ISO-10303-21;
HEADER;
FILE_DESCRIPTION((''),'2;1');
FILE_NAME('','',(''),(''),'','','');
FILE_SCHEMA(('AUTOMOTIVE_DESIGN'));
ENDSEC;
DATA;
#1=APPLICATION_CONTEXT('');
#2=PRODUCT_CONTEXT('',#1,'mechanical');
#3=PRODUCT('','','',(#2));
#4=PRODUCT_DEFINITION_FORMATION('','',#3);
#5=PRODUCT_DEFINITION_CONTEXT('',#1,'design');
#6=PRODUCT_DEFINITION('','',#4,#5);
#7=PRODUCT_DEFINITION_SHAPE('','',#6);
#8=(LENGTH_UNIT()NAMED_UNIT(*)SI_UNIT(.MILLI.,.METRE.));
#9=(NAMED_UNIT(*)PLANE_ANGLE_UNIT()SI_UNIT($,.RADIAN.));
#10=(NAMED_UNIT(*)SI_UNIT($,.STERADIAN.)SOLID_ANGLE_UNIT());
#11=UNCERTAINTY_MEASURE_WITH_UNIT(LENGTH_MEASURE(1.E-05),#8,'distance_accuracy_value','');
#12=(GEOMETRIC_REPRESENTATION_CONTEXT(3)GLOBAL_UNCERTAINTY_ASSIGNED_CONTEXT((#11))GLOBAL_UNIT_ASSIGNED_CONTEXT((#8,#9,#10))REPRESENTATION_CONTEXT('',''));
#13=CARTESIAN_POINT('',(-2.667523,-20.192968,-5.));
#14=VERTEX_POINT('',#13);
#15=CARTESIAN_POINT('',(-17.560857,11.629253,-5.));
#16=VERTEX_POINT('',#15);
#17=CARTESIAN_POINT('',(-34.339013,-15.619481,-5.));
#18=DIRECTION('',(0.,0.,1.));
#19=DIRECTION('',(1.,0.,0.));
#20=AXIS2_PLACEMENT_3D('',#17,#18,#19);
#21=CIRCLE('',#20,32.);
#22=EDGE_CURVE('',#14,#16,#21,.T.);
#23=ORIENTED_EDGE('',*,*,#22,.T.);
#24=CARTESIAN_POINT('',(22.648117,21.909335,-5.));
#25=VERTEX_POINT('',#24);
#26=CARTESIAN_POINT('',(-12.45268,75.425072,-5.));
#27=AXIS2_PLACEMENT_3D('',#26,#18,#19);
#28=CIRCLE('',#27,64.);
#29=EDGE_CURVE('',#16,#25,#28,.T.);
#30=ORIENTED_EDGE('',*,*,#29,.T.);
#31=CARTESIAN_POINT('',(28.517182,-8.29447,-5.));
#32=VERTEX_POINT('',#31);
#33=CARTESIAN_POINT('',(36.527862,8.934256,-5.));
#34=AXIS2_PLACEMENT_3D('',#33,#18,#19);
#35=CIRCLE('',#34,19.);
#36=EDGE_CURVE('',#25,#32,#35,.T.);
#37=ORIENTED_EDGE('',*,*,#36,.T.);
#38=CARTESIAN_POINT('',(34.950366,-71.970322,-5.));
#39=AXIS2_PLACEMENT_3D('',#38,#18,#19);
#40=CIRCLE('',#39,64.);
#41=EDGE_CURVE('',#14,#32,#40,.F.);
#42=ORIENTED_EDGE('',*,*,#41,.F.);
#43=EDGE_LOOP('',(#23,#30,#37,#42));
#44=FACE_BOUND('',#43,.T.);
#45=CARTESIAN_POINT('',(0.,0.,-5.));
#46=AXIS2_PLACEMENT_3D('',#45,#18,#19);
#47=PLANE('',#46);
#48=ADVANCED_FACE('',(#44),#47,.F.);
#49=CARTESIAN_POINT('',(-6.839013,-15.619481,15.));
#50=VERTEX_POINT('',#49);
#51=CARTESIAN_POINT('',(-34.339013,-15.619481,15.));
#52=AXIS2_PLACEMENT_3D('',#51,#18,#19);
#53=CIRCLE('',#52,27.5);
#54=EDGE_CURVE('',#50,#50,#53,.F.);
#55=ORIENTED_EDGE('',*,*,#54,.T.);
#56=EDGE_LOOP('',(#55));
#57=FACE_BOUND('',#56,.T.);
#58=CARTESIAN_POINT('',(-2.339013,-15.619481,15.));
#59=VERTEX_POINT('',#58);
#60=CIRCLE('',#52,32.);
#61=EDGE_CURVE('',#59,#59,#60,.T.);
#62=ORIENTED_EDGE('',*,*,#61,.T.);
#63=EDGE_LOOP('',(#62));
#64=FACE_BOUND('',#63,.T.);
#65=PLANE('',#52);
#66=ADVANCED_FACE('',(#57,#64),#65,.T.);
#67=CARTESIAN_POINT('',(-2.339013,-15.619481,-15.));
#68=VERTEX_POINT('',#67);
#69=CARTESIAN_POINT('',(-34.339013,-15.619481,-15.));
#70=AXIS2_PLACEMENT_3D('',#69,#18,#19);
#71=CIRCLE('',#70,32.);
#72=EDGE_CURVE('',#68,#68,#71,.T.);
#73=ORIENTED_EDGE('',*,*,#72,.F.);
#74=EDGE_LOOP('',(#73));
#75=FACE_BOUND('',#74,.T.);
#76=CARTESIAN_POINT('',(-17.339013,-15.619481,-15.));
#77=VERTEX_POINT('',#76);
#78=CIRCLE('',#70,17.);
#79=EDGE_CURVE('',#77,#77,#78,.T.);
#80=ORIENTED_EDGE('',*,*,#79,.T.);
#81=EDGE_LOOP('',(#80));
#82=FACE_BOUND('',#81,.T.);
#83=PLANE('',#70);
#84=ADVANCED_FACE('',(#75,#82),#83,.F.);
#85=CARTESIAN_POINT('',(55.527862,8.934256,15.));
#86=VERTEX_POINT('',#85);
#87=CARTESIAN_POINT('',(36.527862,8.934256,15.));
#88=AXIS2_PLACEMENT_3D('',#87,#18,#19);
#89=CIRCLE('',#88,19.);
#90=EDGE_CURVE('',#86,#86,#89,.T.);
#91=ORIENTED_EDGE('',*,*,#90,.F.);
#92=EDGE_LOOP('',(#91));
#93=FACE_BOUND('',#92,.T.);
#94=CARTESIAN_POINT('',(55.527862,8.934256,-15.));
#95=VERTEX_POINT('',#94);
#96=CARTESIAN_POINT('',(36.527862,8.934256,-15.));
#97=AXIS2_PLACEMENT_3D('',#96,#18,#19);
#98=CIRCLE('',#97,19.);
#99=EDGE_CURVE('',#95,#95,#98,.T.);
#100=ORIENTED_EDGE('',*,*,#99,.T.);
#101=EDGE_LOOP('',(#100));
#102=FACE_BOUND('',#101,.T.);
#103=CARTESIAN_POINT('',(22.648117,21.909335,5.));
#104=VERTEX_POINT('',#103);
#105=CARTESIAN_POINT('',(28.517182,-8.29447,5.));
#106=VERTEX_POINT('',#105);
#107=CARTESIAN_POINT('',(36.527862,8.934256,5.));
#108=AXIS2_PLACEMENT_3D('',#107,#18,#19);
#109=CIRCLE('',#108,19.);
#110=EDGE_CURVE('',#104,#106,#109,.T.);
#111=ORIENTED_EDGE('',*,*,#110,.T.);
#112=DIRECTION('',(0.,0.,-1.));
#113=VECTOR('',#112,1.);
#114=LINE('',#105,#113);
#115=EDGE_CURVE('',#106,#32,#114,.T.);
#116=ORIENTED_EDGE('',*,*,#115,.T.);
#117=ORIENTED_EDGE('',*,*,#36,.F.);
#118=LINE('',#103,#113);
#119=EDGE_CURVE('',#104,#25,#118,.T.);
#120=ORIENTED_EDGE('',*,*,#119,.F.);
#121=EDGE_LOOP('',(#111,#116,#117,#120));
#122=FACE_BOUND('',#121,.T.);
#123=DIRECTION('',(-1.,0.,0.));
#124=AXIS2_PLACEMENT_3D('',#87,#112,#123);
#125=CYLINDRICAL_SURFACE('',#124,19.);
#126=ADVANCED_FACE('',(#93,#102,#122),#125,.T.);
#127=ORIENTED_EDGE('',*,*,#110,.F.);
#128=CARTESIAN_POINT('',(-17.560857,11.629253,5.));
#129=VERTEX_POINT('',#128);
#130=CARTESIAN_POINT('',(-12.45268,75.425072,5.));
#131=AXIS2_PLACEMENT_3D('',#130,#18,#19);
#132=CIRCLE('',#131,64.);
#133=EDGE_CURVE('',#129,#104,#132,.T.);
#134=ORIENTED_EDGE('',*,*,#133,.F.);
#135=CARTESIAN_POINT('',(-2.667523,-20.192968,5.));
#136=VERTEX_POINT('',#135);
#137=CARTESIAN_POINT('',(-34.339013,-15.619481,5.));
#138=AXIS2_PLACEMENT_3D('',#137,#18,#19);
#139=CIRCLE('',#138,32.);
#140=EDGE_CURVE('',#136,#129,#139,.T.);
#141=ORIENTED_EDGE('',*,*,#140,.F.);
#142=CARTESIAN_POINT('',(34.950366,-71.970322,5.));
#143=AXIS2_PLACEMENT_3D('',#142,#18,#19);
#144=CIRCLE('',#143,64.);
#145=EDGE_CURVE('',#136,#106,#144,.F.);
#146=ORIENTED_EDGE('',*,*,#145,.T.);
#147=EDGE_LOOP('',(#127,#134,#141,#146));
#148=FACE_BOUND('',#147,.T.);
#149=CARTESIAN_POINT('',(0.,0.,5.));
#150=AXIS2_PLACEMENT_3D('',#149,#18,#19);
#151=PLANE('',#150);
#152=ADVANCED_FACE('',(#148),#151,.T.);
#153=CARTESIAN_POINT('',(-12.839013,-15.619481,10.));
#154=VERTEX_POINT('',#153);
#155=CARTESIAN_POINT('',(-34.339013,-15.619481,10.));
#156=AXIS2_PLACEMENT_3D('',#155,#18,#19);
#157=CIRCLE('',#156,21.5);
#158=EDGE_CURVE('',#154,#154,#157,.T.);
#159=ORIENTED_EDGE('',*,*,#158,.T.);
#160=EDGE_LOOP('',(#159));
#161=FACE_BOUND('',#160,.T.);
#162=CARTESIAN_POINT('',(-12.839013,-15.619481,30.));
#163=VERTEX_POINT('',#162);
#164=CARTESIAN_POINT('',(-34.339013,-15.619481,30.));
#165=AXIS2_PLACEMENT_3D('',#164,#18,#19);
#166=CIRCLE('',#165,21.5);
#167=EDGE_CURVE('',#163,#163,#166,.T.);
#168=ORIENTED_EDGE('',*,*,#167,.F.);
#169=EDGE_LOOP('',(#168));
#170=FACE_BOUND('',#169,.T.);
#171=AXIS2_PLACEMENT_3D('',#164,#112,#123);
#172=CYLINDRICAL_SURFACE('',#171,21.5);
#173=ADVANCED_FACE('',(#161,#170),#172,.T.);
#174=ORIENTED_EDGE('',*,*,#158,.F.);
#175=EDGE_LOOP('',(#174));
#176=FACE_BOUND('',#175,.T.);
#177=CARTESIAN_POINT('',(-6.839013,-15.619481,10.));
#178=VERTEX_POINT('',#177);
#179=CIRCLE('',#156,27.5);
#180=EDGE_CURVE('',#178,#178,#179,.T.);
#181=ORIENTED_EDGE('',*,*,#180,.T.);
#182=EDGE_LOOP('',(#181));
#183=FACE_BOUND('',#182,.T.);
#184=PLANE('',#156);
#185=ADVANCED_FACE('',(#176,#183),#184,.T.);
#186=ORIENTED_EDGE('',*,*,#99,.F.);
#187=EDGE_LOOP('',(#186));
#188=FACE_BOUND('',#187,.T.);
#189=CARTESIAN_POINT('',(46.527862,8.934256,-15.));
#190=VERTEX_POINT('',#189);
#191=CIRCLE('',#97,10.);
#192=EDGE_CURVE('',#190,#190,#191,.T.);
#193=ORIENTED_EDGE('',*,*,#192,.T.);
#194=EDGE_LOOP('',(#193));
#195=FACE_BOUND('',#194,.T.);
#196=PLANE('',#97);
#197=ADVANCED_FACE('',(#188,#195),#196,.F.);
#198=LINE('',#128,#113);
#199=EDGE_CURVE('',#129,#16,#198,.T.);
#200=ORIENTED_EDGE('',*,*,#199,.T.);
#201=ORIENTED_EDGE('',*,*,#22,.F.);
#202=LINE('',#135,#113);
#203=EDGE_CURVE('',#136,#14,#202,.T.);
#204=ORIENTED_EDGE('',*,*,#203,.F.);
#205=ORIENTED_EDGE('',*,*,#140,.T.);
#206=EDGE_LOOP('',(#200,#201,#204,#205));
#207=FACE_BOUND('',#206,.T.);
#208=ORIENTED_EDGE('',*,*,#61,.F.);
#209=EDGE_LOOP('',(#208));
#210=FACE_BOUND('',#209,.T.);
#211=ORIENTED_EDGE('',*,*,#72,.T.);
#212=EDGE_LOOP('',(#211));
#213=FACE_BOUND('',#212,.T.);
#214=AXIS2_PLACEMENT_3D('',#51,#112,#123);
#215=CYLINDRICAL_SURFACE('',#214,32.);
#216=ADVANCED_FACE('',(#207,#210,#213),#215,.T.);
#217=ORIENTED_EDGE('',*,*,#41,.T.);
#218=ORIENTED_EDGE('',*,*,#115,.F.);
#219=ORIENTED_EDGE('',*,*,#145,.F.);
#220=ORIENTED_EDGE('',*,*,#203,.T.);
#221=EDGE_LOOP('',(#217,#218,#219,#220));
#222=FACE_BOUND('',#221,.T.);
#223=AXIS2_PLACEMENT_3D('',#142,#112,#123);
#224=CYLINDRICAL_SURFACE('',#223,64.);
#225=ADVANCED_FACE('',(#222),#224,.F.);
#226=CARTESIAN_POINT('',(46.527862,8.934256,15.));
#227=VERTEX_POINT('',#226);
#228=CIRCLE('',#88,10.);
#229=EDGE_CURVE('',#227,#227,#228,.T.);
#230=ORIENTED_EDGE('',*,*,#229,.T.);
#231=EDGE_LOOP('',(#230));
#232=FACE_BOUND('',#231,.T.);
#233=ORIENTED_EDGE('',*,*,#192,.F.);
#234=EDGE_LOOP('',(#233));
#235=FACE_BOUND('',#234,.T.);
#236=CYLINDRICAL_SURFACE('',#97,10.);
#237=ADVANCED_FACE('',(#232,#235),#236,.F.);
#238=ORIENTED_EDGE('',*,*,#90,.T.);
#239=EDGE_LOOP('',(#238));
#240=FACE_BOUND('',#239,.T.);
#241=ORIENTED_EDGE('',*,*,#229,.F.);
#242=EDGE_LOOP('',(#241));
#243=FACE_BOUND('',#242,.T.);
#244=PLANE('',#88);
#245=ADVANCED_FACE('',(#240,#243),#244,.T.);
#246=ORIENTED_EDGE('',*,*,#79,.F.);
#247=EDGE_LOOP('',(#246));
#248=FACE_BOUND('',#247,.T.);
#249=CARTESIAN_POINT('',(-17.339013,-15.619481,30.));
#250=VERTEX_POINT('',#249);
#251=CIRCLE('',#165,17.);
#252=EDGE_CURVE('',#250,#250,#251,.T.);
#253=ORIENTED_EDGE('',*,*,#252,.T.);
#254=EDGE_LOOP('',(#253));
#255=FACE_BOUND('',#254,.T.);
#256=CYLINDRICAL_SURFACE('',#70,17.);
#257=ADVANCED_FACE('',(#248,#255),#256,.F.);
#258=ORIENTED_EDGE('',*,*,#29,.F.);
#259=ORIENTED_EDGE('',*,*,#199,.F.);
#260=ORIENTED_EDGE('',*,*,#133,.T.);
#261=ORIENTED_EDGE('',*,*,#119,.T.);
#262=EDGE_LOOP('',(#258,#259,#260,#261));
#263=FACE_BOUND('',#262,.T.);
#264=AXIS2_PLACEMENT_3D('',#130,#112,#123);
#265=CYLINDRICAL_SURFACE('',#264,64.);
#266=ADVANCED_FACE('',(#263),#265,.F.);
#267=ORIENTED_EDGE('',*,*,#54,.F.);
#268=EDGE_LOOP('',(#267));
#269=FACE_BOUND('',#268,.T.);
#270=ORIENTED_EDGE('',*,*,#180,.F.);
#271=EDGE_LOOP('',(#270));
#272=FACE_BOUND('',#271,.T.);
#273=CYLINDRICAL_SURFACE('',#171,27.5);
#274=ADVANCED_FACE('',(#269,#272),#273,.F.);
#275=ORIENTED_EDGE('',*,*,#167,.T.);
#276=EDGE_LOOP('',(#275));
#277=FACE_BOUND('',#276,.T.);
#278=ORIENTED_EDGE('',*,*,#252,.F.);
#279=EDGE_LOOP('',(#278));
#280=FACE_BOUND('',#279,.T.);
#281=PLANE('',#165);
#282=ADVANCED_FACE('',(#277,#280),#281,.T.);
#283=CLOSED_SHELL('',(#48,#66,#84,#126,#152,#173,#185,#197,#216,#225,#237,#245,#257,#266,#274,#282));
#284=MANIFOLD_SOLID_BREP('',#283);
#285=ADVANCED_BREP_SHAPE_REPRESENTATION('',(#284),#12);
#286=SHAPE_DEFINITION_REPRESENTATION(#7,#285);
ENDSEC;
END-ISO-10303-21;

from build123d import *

# Parameters (mm, degrees)
SKETCH1_R               = 32
BOSS_EXTRUDE1_DEPTH     = 15
SKETCH1_R_2             = 19
BOSS_EXTRUDE1_2_DEPTH   = 15
BOSS_EXTRUDE2_DEPTH     = 5
CUT_EXTRUDE1_DEPTH      = 84.026980949
CUT_EXTRUDE1_DEPTH_BACK = 84.026980949
SKETCH1_4_R             = 17
SKETCH1_4_R_2           = 10
BOSS_EXTRUDE3_START     = 15
SKETCH1_5_R             = 21.5
SKETCH1_5_R_2           = 17
BOSS_EXTRUDE3_DEPTH     = 15
CUT_EXTRUDE2_DEPTH      = 87.997008946
CUT_EXTRUDE2_DEPTH_BACK = 5
CUT_EXTRUDE2_START      = 15
SKETCH1_6_R             = 27.5
SKETCH1_6_R_2           = 21.5


with BuildPart() as part:
    # Sketch1 → Boss-Extrude1 (new, symmetric)
    with BuildSketch(Plane.XY):
        with Locations((-34.339012541, -15.619481103)):
            Circle(SKETCH1_R)
    extrude(amount=BOSS_EXTRUDE1_DEPTH, both=True)



with BuildPart() as body_2:
    # Sketch1 → Boss-Extrude1 2 (new, symmetric)
    with BuildSketch(Plane.XY):
        with Locations((36.527862472, 8.934256411)):
            Circle(SKETCH1_R_2)
    extrude(amount=BOSS_EXTRUDE1_2_DEPTH, both=True)


with BuildPart() as part_1:
    add(part.part)

    add(body_2.part)  # Boss-Extrude2 merges body 2
    # Sketch1<3> → Boss-Extrude2 (add, symmetric)
    with BuildSketch(Plane.XY):
        with BuildLine():
            ThreePointArc((-17.560856981, 11.629252739), (-6.402468571, -0.013408214), (-2.339012541, -15.619481103))
            ThreePointArc((-2.339012541, -15.619481103), (-2.421245933, -17.912115996), (-2.667523463, -20.192967692))
            ThreePointArc((-2.667523463, -20.192967692), (12.135506322, -12.174986093), (28.517182449, -8.294469763))
            ThreePointArc((28.517182449, -8.294469763), (17.876719368, 5.310051543), (22.64811714, 21.909335198))
            ThreePointArc((22.64811714, 21.909335198), (3.400059206, 13.419502104), (-17.560856981, 11.629252739))
        make_face()
    extrude(amount=BOSS_EXTRUDE2_DEPTH, both=True)

    # Sketch1<4> → Cut-Extrude1 (cut, two sides: drawn at the far end of the back side and taken through both)
    with BuildSketch(Plane.XY.offset(-CUT_EXTRUDE1_DEPTH_BACK)):
        with Locations((-34.339012541, -15.619481103)):
            Circle(SKETCH1_4_R)
        with Locations((36.527862472, 8.934256411)):
            Circle(SKETCH1_4_R_2)
    extrude(amount=CUT_EXTRUDE1_DEPTH + CUT_EXTRUDE1_DEPTH_BACK, mode=Mode.SUBTRACT)

    # Sketch1<5> → Boss-Extrude3 (add)
    with BuildSketch(Plane.XY.offset(BOSS_EXTRUDE3_START)):
        with Locations((-34.339012541, -15.619481103)):
            Circle(SKETCH1_5_R)
        with Locations((-34.339012541, -15.619481103)):
            Circle(SKETCH1_5_R_2, mode=Mode.SUBTRACT)
    extrude(amount=BOSS_EXTRUDE3_DEPTH)

    # Sketch1<6> → Cut-Extrude2 (cut, two sides: drawn at the far end of the back side and taken through both)
    with BuildSketch(Plane.XY.offset(CUT_EXTRUDE2_START - CUT_EXTRUDE2_DEPTH_BACK)):
        with Locations((-34.339012541, -15.619481103)):
            Circle(SKETCH1_6_R)
        with Locations((-34.339012541, -15.619481103)):
            Circle(SKETCH1_6_R_2, mode=Mode.SUBTRACT)
    extrude(amount=CUT_EXTRUDE2_DEPTH + CUT_EXTRUDE2_DEPTH_BACK, mode=Mode.SUBTRACT)


solid = part_1.part
